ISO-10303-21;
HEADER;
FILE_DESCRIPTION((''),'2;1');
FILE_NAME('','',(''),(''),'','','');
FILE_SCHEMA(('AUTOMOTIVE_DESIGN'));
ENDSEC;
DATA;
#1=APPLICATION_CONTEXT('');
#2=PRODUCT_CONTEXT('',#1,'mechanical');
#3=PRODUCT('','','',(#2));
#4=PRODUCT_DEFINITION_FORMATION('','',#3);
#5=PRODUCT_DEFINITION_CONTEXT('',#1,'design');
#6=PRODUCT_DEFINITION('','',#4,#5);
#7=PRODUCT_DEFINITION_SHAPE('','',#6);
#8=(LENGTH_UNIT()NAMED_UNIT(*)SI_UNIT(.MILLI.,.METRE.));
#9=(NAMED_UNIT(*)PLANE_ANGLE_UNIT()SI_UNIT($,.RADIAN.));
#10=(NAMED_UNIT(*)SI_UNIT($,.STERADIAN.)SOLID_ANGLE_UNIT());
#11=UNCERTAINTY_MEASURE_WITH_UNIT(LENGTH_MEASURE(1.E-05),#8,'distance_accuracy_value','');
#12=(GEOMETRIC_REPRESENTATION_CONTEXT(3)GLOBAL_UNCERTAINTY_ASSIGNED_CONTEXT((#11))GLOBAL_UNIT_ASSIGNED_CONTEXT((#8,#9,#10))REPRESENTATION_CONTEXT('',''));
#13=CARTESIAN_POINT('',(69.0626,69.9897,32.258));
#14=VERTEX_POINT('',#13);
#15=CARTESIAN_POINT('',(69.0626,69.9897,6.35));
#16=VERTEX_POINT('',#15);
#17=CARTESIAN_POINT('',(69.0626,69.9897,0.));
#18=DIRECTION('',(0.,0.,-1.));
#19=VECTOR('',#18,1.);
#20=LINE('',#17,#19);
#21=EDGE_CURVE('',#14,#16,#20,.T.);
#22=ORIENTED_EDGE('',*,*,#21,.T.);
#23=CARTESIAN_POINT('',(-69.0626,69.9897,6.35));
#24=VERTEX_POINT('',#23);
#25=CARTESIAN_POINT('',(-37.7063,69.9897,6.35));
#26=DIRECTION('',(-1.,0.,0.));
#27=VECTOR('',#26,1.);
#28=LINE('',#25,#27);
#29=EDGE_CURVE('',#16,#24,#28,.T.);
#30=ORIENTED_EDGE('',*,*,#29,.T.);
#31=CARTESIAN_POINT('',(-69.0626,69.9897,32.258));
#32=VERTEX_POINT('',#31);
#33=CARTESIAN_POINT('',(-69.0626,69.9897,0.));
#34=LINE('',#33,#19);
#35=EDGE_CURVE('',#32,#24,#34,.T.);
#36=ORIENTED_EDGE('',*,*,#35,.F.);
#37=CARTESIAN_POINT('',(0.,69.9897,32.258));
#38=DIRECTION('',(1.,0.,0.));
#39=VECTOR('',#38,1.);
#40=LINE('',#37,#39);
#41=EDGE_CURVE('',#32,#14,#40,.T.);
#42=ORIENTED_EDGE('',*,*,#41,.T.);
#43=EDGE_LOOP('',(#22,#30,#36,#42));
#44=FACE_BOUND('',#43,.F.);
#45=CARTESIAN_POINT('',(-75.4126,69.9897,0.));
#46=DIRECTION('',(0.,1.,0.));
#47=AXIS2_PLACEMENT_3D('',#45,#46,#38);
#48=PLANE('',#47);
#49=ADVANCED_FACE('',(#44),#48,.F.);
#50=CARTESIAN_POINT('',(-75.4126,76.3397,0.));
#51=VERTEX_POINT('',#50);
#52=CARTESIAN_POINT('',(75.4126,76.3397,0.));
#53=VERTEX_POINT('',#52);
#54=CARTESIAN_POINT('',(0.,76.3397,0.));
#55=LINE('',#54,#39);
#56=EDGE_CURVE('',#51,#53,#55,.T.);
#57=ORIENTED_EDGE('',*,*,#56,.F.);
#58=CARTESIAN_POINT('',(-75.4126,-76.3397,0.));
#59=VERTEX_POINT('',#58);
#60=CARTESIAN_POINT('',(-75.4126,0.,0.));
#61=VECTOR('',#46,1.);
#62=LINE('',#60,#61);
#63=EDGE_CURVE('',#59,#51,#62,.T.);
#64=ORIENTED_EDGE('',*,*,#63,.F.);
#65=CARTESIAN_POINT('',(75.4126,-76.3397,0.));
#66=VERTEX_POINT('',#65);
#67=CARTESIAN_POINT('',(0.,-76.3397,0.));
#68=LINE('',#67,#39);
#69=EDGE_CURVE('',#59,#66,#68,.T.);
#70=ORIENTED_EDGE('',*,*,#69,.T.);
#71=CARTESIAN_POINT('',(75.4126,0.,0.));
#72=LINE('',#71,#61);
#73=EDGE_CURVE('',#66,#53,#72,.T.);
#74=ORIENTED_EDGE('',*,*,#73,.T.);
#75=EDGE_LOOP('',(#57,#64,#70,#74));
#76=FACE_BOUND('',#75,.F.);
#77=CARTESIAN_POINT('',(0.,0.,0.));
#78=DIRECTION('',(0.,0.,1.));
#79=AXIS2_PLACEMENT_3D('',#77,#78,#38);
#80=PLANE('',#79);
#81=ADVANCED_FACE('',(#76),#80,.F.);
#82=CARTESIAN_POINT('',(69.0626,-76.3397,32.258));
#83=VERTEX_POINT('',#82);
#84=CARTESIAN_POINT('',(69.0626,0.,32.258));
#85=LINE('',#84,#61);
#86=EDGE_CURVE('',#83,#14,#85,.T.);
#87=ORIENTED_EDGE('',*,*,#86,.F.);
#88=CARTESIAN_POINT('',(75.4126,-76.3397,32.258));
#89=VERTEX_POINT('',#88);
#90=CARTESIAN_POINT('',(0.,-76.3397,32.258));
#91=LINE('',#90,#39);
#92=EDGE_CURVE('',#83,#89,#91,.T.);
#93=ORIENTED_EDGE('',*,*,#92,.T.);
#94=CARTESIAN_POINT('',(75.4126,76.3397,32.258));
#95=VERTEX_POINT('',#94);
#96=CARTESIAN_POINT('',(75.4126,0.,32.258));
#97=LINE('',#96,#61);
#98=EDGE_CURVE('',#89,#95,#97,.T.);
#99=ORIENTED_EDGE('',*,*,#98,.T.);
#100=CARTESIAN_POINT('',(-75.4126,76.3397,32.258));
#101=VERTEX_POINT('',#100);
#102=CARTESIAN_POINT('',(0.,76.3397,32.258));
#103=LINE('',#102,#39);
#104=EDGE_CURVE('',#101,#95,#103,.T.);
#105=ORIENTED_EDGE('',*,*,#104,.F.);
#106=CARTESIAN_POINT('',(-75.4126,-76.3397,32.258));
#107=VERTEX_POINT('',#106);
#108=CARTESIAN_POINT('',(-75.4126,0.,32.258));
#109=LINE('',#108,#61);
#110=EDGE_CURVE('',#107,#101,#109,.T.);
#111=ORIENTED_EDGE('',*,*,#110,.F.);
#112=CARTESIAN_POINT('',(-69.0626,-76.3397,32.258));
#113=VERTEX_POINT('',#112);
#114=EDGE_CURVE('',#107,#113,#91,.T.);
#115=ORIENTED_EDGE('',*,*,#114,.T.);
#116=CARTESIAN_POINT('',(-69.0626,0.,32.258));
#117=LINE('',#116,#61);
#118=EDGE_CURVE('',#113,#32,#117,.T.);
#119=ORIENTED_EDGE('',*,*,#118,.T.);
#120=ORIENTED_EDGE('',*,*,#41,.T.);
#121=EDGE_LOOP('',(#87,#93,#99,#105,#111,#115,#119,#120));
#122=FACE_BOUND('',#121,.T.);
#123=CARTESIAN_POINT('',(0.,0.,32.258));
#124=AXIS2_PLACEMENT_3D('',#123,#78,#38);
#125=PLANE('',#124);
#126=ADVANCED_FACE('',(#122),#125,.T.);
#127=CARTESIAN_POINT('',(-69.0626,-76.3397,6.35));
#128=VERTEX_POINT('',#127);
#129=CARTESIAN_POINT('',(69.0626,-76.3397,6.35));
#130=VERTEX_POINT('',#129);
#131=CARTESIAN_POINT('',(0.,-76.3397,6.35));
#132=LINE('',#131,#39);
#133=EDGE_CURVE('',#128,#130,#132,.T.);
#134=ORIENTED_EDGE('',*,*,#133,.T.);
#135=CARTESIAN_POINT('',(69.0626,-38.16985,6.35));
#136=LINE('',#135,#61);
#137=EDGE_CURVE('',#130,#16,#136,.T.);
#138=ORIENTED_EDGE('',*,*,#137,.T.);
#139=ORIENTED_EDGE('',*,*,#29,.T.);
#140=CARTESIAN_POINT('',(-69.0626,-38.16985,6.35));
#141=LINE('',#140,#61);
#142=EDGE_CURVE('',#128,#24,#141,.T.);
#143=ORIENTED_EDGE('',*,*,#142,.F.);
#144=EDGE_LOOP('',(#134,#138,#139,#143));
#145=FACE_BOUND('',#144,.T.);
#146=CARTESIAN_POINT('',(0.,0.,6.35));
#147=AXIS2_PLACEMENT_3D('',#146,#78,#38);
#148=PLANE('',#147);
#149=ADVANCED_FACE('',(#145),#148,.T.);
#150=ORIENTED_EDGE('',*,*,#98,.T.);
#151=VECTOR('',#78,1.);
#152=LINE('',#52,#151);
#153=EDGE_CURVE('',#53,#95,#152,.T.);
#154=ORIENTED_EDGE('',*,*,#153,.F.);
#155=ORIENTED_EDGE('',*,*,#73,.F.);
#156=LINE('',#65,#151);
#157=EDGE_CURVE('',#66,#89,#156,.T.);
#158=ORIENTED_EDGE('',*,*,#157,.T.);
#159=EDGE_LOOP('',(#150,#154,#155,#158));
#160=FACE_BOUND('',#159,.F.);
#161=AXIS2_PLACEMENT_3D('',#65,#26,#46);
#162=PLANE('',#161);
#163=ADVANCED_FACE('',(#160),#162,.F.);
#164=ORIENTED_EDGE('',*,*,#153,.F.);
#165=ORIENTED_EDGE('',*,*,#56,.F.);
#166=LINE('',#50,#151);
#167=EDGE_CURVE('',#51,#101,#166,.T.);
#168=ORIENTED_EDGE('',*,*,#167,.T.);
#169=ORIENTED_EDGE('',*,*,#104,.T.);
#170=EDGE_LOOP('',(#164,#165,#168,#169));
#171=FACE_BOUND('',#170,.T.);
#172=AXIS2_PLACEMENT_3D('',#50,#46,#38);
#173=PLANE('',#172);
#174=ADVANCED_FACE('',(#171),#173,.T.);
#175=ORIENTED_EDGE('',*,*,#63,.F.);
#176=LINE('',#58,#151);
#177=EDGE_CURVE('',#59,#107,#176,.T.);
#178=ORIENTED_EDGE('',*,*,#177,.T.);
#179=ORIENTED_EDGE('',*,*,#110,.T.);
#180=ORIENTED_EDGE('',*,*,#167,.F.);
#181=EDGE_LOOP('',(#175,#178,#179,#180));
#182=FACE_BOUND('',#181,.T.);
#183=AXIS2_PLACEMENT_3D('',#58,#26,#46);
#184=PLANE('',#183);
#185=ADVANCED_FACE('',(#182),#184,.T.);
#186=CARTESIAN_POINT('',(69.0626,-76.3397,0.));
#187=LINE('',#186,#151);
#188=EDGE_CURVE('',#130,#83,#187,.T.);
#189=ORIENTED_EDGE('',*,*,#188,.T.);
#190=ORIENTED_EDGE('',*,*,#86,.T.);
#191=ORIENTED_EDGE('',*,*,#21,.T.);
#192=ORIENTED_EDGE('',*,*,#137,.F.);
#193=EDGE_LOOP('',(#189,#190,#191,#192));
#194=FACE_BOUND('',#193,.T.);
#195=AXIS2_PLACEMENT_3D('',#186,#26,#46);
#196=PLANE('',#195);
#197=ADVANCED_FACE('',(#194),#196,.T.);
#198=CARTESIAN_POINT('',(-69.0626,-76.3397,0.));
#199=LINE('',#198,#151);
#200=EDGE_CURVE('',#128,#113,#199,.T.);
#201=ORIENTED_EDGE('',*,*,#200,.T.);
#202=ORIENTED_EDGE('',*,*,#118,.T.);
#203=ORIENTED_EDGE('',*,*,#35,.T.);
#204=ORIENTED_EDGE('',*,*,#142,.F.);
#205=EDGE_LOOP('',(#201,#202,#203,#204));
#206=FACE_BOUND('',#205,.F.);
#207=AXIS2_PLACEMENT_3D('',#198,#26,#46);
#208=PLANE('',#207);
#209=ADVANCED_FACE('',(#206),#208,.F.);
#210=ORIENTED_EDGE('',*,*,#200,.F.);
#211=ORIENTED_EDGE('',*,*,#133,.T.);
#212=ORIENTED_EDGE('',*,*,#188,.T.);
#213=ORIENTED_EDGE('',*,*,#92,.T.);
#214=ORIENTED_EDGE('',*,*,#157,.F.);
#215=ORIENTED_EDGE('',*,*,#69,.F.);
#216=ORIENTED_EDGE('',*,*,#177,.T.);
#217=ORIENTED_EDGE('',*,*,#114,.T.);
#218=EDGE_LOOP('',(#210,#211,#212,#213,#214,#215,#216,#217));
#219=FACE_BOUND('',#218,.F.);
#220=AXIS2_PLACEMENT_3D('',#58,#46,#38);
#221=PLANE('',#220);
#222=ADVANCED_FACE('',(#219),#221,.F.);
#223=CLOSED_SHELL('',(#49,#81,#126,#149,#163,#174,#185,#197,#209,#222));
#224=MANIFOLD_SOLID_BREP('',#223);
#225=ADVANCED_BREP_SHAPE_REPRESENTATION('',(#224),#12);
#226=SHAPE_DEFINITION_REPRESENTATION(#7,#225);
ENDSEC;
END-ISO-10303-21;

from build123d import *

# Parameters (mm, degrees)
F0_W     = 150.8252
F0_H     = 152.6794
F1_DEPTH = 32.258
F2_T     = -6.35


with BuildPart() as f1:
    # F0 (on Top) → F1 (new body)
    with BuildSketch(Plane.XY):
        Rectangle(F0_W, F0_H)
    extrude(amount=F1_DEPTH)

    # F2
    f2_openings = [f1.faces().sort_by_distance(p)[0] for p in [
        (0, 0, 32.258),
        (0, -76.3397, 16.129),
    ]]
    offset(amount=F2_T, openings=f2_openings)


solid = f1.part
